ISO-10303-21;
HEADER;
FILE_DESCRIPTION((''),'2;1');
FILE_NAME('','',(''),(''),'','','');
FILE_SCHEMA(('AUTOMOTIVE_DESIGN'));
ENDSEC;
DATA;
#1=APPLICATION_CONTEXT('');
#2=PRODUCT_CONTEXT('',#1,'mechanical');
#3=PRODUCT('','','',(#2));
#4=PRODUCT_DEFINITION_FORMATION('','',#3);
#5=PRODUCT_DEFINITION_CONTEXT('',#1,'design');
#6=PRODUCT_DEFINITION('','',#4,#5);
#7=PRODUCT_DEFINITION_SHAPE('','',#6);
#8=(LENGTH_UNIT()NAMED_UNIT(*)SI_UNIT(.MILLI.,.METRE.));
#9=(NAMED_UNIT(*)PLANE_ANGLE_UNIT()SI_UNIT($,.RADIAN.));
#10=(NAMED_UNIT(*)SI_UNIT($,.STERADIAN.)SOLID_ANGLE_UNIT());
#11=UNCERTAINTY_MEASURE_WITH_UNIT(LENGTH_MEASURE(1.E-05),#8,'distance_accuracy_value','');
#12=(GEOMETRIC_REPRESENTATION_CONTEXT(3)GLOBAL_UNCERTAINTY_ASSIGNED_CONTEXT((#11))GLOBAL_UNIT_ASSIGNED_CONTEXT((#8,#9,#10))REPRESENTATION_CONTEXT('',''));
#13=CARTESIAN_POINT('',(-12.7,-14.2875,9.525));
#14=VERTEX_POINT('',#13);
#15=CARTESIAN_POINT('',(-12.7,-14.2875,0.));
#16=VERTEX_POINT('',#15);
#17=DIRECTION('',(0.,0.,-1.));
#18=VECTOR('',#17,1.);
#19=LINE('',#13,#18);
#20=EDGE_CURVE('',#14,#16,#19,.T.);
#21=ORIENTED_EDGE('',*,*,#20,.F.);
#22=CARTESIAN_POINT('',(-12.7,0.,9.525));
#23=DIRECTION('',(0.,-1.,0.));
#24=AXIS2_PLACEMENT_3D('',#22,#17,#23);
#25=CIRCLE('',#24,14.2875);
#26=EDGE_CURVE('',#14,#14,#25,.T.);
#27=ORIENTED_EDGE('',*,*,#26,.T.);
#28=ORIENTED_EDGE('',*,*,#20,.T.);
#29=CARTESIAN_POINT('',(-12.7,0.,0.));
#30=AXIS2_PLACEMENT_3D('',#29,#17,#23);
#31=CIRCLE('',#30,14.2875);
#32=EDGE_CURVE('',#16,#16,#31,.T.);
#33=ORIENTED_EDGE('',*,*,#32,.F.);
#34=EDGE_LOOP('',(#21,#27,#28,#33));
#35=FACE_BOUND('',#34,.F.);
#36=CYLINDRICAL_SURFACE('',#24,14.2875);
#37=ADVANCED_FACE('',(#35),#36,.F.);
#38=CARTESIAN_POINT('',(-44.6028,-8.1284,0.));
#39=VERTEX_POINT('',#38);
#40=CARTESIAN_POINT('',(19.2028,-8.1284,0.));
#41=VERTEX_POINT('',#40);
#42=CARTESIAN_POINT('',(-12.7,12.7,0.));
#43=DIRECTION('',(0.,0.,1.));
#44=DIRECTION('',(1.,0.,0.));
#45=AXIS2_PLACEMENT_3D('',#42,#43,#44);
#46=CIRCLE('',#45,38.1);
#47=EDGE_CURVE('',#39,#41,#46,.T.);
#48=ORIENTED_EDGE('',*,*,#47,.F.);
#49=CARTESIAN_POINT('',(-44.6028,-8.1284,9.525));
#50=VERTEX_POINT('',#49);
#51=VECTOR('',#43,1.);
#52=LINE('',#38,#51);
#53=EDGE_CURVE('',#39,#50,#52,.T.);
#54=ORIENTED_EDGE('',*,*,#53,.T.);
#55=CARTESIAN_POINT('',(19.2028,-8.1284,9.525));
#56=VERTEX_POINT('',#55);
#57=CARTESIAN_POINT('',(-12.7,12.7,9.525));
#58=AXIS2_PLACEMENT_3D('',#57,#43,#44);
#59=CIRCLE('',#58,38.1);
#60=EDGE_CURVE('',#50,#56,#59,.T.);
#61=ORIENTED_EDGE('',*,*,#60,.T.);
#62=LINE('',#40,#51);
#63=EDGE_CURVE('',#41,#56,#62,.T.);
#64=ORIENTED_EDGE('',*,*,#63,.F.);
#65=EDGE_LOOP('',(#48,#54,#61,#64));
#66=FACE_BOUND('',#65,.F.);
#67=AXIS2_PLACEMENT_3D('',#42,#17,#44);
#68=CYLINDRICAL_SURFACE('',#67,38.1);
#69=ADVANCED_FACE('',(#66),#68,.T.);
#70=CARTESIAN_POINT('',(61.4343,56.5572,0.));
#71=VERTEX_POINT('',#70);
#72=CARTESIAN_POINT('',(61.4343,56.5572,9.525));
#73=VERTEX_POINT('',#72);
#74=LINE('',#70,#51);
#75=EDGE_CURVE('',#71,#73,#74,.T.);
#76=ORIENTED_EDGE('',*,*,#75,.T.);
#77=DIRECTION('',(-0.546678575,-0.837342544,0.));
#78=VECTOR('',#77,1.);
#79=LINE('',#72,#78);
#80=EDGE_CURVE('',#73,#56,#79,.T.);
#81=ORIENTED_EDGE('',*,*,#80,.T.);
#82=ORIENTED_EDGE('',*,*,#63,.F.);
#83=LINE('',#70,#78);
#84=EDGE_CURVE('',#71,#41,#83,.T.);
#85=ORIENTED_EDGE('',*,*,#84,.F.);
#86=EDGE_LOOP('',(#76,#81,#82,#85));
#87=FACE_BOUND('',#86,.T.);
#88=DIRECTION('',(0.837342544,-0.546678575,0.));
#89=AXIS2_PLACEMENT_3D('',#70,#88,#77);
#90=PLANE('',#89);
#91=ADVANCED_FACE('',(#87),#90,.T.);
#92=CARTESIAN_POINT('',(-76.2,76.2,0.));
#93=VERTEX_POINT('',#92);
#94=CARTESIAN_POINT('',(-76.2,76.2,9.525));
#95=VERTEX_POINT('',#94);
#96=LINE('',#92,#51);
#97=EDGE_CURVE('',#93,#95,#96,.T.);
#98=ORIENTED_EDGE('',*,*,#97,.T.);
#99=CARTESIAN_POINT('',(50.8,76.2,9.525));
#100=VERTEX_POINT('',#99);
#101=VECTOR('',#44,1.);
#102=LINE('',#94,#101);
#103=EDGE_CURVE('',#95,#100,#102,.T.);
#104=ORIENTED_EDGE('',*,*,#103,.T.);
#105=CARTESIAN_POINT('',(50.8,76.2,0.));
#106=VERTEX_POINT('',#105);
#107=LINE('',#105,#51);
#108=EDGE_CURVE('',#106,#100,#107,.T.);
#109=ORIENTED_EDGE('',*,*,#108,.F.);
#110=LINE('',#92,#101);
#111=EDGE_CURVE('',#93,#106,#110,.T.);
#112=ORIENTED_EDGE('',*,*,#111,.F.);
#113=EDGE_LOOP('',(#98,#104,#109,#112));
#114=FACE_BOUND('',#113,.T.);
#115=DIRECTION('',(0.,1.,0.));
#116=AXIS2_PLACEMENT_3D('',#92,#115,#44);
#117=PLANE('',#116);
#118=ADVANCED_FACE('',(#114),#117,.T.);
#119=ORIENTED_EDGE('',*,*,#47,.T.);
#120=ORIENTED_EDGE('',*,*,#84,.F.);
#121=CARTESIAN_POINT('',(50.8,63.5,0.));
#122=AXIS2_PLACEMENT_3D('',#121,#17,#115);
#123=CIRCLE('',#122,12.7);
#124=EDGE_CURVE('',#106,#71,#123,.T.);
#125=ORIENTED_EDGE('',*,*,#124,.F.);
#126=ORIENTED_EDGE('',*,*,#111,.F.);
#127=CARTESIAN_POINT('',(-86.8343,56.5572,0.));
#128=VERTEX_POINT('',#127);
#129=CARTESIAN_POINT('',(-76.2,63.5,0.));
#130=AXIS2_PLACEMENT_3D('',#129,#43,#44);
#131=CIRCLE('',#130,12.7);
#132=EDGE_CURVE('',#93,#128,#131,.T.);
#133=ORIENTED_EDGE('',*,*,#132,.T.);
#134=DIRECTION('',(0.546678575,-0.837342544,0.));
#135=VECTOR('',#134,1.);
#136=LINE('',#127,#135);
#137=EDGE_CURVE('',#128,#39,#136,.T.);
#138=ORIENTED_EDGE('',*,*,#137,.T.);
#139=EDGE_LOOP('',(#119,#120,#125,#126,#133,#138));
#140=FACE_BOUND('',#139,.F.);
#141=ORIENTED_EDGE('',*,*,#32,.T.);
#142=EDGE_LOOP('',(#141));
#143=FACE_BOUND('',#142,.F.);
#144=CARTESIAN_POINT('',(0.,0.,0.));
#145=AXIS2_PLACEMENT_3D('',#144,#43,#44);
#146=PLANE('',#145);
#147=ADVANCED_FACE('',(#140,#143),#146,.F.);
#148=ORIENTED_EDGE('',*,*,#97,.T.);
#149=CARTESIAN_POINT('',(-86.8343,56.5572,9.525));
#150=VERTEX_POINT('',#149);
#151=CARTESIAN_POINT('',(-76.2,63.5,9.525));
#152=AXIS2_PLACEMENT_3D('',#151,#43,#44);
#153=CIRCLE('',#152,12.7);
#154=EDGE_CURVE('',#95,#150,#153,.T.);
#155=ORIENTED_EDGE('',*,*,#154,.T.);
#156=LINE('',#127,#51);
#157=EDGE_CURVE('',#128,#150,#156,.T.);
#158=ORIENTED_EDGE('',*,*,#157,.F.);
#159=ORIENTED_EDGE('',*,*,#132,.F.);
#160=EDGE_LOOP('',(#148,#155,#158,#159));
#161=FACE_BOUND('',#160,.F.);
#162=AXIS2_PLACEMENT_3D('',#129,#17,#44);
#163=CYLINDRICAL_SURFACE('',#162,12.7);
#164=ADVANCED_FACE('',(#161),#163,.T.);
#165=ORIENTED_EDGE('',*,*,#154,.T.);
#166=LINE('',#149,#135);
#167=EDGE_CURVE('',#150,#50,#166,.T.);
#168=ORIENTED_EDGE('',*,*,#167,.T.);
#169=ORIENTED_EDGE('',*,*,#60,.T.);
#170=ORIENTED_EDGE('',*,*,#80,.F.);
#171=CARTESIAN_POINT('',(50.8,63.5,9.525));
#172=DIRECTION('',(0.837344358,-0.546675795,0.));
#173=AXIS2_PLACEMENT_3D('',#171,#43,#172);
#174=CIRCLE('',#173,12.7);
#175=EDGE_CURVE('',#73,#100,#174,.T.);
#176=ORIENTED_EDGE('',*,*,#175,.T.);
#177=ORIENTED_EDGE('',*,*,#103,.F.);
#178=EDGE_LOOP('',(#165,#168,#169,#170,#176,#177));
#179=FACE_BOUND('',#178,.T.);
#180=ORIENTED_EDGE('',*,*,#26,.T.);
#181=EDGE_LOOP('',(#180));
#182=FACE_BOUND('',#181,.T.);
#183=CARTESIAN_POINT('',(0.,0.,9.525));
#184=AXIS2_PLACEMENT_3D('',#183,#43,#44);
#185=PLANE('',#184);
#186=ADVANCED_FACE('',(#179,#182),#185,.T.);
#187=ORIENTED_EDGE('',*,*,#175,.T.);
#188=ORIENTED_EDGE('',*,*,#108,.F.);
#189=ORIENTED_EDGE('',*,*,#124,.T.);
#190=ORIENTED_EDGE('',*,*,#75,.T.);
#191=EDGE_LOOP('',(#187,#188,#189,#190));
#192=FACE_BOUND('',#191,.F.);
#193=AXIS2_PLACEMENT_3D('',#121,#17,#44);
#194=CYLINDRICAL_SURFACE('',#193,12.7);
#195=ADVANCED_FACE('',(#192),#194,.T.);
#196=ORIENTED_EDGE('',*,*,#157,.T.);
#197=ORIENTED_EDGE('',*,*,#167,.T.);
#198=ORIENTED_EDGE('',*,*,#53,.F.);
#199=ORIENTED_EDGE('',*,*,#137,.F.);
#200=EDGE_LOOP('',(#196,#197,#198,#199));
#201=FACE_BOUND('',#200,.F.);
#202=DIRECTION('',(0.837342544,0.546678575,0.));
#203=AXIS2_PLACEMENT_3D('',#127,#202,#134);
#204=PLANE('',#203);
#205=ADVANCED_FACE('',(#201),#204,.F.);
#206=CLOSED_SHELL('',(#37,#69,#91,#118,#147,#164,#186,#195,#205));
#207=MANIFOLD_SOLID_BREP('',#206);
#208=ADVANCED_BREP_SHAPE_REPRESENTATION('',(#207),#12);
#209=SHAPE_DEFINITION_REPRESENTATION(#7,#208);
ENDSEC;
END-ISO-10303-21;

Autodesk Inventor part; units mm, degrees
ref_plane "YZ Plane" through (0, 0, 0) normal (1, 0, 0) x (0, 1, 0)
ref_plane "XZ Plane" through (0, 0, 0) normal (0, 1, 0) x (-1, 0, 0)
ref_plane "XY Plane" through (0, 0, 0) normal (0, 0, 1) x (1, 0, 0)
sketch "Sketch1" plane through (0, 0, 0) normal (0, 0, 1) x (1, 0, 0)
  circle A0 centre (-12.7, 12.7) radius 38.1
  line L0 (-12.7, 12.7) -> (-12.7, 63.5)
  line L1 (-12.7, 63.5) -> (50.8, 63.5)
  line L2 (-12.7, 63.5) -> (-76.2, 63.5)
  circle A1 centre (-76.2, 63.5) radius 12.7
  circle A2 centre (50.8, 63.5) radius 12.7
  line L3 (-76.2, 76.2) -> (50.8, 76.2)
  line L4 (-86.8343, 56.5572) -> (-44.6028, -8.1284)
  line L5 (61.4343, 56.5572) -> (19.2028, -8.1284)
  point P0 (0, 0)
  dimension "d1" = 76.2
  dimension "d2" = 50.8
  dimension "d3" = 63.5
  dimension "d4" = 63.5
  dimension "d5" = 25.4
  dimension "d6" = 25.4
extrude "Extrusion2" add sketch "Sketch1" along normal blind 9.525
sketch "Sketch3" plane through (0, 0, 9.525) normal (0, 0, 1) x (1, 0, 0)
  line L0 (50.8, 76.2) -> (-76.2, 76.2) construction
  line L1 (-12.7, 76.2) -> (-12.7, -25.4) construction
  arc A0 (-44.6028, -8.1284) -> (19.2028, -8.1284) centre (-12.7, 12.7) ccw construction
  point P0 (0, 0)
  point P1 (-12.7, 0)
  dimension "d40" = 25.4
hole "Hole4" at (-12.7, 0, 9.525) direction (0, 0, -1) diameter 28.575 depth 25.4 tip angle 118
equation "\"d3\" = d4"
properties part number "bearingplaterear" material "Steel, Mild"
